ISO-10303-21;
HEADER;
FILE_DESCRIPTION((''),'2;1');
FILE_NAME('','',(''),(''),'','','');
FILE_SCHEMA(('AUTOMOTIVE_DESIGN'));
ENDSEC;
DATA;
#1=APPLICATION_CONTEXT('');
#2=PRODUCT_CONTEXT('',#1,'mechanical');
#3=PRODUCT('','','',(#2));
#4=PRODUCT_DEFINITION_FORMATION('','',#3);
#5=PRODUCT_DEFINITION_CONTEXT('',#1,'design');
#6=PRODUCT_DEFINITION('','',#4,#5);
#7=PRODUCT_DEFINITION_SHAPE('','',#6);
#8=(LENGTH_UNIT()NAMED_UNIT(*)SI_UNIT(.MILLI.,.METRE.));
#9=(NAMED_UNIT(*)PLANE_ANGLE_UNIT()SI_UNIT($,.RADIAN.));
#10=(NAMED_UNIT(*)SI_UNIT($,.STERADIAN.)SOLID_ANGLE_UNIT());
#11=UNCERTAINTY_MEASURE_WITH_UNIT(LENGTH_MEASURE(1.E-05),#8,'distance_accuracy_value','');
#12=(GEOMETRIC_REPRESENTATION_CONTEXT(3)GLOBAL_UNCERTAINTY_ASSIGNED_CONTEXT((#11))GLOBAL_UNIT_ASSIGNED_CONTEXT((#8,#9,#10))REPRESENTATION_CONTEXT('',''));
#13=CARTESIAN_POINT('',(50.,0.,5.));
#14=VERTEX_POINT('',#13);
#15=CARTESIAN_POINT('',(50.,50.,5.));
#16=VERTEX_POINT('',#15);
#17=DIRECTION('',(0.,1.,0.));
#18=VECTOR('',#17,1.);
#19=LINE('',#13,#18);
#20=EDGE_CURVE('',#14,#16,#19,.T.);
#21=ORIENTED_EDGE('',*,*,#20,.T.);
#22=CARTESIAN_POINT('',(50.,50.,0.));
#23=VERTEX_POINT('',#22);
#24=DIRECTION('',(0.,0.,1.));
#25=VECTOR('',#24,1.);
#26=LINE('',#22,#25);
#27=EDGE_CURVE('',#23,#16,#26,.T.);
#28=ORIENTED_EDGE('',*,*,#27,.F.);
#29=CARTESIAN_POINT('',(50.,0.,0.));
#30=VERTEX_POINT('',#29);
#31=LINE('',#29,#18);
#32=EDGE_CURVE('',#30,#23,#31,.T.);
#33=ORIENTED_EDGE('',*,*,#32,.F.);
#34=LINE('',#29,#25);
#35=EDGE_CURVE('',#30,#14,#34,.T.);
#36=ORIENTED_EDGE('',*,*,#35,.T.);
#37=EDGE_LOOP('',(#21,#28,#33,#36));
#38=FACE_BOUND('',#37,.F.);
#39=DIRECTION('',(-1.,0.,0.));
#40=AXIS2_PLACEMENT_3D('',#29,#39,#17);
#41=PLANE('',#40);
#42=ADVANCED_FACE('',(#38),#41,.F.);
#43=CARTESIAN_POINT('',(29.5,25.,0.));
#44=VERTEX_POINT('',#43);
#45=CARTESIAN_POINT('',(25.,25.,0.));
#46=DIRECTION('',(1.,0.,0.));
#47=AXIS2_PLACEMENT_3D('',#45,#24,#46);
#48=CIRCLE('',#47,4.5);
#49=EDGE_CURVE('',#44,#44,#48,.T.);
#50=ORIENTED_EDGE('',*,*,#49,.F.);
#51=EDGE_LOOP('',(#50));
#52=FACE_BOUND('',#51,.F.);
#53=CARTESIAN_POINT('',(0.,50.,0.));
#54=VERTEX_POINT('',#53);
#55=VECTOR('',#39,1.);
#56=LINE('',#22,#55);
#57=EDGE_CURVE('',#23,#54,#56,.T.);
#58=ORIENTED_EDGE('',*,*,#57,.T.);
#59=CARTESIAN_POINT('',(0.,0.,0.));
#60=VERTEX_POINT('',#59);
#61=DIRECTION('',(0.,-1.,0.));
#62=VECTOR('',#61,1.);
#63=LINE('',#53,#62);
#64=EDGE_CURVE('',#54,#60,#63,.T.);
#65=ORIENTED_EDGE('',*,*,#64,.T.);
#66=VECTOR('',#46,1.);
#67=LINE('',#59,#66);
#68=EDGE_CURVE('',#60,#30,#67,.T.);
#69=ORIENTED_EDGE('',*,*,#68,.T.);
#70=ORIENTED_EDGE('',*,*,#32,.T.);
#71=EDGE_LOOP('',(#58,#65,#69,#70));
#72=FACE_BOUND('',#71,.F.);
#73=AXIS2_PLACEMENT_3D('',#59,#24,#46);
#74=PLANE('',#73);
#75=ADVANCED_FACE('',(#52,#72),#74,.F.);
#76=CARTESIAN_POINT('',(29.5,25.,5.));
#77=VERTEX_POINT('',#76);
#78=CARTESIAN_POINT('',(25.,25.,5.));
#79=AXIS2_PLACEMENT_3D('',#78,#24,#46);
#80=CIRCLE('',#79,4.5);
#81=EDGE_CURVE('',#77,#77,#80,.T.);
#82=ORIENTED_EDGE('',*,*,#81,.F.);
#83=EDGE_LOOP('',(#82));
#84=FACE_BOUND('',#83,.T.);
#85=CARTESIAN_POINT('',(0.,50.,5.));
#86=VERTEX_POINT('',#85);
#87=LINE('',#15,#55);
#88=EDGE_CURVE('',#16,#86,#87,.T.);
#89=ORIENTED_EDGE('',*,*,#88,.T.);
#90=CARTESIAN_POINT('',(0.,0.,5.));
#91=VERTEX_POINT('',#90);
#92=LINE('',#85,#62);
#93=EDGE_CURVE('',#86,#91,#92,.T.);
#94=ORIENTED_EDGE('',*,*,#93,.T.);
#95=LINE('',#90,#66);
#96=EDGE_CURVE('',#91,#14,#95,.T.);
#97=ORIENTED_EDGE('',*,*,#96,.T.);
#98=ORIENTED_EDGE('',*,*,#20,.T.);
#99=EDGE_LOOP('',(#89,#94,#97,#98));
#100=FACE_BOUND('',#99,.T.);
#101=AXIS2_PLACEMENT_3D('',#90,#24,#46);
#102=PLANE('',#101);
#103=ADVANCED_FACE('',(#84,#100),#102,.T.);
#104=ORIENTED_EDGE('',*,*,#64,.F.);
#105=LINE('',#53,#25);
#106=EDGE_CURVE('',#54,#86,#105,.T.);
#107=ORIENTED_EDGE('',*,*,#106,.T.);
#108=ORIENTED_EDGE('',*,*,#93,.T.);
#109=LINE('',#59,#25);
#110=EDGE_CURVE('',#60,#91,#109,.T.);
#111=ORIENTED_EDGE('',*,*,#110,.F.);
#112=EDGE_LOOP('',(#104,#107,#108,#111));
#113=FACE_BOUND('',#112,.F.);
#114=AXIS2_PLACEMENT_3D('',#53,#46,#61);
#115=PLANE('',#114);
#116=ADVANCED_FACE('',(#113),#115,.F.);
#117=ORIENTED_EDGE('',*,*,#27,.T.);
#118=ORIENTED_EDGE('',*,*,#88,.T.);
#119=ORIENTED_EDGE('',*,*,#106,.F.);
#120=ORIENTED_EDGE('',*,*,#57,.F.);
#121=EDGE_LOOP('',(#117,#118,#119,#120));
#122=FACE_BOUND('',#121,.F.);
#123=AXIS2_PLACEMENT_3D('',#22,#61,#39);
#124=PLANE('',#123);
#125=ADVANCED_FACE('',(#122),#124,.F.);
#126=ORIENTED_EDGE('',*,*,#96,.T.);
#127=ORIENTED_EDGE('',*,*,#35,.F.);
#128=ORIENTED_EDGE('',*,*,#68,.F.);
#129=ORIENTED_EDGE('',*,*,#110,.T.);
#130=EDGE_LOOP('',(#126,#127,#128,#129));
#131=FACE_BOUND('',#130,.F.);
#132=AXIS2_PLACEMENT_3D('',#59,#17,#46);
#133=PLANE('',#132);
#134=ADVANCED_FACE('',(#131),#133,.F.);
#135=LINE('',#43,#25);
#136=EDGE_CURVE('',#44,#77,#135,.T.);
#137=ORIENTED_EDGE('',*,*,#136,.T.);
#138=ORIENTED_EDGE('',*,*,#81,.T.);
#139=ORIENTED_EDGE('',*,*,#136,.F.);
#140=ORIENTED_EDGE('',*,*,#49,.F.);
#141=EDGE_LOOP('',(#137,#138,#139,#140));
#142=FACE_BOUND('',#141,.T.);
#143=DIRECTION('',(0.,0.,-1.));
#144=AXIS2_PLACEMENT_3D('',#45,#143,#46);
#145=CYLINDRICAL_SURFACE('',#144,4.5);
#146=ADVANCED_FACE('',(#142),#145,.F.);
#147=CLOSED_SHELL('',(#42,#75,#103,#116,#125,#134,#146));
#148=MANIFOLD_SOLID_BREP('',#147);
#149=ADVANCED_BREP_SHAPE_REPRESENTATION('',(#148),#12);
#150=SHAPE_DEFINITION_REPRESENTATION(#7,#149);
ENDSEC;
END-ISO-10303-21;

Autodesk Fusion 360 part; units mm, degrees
sketch "Sketch1" plane through (0, 0, 0) normal (0, 0, 1) x (1, 0, 0)
  line L0 (0, 0) -> (50, 0)
  line L1 (50, 0) -> (50, 50)
  line L2 (50, 50) -> (0, 50)
  line L3 (0, 50) -> (0, 0)
  circle A0 centre (25, 25) radius 4.5
  dimension "d1" = 50
  dimension "d2" = 50
  dimension "d3" = 9
  dimension "d4" = 25
  dimension "d5" = 25
extrude "Extrude1" add sketch "Sketch1" along normal blind 5
